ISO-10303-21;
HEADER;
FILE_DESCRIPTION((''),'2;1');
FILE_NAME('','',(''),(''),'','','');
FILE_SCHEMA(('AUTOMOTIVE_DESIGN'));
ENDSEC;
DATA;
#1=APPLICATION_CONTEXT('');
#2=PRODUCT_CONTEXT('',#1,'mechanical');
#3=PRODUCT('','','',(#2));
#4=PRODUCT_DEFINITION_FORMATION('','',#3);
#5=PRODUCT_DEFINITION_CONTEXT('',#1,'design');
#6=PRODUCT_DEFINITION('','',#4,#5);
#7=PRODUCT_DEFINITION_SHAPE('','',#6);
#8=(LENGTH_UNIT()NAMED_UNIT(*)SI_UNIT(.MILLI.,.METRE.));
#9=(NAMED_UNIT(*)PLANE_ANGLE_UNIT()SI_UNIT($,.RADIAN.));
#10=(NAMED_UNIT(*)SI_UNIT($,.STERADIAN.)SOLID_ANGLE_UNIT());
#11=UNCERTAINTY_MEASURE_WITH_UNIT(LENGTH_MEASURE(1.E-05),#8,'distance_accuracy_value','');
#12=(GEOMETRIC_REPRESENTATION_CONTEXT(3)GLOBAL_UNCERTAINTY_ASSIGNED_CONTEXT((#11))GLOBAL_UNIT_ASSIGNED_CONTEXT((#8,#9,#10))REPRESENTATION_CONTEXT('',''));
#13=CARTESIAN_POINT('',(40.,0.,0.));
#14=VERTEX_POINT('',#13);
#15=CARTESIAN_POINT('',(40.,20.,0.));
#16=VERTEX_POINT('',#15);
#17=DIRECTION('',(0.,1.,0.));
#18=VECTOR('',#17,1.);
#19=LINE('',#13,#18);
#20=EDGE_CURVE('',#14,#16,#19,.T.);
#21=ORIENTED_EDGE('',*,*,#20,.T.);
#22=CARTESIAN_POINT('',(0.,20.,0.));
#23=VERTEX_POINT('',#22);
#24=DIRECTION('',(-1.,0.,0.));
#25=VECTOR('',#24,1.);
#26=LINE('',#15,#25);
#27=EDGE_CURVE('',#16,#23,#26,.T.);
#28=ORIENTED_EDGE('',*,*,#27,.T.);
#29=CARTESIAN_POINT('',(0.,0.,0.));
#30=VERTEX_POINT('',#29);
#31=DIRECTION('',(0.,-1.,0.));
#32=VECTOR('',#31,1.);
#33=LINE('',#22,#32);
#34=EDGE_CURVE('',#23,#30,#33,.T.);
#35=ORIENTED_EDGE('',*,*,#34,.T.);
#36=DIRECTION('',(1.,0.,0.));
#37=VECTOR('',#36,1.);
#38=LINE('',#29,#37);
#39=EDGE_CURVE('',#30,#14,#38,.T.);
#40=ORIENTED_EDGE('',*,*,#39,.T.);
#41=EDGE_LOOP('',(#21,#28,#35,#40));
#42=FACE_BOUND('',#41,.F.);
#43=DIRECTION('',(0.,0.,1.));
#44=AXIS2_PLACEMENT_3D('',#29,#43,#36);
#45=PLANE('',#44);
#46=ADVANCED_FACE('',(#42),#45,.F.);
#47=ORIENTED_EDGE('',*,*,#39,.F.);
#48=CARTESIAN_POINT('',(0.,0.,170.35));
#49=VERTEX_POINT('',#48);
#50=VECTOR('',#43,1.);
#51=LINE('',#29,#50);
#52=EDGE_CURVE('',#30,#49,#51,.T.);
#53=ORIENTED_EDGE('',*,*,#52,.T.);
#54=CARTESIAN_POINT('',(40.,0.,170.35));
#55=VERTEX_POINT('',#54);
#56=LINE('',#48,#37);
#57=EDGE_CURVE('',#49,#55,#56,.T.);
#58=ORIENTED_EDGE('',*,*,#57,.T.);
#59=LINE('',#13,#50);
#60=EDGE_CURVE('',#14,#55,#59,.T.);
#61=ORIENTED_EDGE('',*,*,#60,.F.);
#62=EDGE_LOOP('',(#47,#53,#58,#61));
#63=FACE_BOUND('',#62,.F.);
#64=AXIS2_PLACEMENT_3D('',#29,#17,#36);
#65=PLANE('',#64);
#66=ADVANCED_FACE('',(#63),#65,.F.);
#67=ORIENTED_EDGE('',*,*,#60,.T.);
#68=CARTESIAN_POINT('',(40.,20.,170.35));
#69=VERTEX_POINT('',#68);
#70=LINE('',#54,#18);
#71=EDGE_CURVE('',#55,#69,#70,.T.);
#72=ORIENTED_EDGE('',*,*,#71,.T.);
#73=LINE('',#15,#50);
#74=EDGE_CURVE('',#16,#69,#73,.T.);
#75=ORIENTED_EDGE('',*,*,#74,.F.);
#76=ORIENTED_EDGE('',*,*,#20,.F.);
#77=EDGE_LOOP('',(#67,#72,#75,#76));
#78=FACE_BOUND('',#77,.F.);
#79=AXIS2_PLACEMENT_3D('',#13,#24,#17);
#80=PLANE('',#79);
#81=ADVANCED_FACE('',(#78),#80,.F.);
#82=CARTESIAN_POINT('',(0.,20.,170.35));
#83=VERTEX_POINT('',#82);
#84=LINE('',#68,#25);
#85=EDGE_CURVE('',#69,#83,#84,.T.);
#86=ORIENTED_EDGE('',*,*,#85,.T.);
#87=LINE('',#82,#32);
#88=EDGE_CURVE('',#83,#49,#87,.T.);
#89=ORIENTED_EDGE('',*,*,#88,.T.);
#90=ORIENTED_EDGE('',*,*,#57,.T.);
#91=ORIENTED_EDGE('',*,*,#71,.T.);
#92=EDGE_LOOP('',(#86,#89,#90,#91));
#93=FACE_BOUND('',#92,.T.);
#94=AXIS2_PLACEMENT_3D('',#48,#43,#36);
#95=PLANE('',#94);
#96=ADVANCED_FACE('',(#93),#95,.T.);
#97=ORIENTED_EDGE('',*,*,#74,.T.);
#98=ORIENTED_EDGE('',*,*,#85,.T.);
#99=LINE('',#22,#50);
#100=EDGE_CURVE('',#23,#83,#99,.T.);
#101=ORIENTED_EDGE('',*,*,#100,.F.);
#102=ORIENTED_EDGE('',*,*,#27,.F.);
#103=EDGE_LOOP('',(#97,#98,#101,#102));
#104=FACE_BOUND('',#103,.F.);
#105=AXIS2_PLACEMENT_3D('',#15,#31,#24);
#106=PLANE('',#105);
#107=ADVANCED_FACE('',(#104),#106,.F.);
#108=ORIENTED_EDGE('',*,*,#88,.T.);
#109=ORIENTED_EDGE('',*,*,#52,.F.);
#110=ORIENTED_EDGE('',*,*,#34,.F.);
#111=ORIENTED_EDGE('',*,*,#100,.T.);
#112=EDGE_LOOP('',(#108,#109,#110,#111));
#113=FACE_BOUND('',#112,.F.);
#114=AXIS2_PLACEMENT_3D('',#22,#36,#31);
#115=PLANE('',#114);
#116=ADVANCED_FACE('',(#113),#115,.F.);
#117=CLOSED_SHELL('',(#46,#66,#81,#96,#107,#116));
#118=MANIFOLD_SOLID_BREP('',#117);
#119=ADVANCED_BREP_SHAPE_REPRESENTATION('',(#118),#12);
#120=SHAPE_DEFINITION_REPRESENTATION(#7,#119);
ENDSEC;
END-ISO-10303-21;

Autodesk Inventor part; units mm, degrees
ref_plane "YZ Plane" through (0, 0, 0) normal (1, 0, 0) x (0, 1, 0)
ref_plane "XZ Plane" through (0, 0, 0) normal (0, 1, 0) x (-1, 0, 0)
ref_plane "XY Plane" through (0, 0, 0) normal (0, 0, 1) x (1, 0, 0)
sketch "Sketch1" plane through (0, 0, 0) normal (0, 0, 1) x (1, 0, 0)
  line L0 (0, 0) -> (40, 0)
  line L1 (40, 0) -> (40, 20)
  line L2 (40, 20) -> (0, 20)
  line L3 (0, 20) -> (0, 0)
  dimension "d0" = 40
  dimension "d1" = 20
extrude "Extrusion1" add sketch "Sketch1" along normal blind 170.35
ref_plane "Work Plane1" through (0, 0, 85.175) normal (0, 0, 1) x (1, 0, 0)
ref_plane "Work Plane2" through (0, 10, 0) normal (0, 1, 0) x (1, 0, 0)
properties part number "Y Base 2040"
